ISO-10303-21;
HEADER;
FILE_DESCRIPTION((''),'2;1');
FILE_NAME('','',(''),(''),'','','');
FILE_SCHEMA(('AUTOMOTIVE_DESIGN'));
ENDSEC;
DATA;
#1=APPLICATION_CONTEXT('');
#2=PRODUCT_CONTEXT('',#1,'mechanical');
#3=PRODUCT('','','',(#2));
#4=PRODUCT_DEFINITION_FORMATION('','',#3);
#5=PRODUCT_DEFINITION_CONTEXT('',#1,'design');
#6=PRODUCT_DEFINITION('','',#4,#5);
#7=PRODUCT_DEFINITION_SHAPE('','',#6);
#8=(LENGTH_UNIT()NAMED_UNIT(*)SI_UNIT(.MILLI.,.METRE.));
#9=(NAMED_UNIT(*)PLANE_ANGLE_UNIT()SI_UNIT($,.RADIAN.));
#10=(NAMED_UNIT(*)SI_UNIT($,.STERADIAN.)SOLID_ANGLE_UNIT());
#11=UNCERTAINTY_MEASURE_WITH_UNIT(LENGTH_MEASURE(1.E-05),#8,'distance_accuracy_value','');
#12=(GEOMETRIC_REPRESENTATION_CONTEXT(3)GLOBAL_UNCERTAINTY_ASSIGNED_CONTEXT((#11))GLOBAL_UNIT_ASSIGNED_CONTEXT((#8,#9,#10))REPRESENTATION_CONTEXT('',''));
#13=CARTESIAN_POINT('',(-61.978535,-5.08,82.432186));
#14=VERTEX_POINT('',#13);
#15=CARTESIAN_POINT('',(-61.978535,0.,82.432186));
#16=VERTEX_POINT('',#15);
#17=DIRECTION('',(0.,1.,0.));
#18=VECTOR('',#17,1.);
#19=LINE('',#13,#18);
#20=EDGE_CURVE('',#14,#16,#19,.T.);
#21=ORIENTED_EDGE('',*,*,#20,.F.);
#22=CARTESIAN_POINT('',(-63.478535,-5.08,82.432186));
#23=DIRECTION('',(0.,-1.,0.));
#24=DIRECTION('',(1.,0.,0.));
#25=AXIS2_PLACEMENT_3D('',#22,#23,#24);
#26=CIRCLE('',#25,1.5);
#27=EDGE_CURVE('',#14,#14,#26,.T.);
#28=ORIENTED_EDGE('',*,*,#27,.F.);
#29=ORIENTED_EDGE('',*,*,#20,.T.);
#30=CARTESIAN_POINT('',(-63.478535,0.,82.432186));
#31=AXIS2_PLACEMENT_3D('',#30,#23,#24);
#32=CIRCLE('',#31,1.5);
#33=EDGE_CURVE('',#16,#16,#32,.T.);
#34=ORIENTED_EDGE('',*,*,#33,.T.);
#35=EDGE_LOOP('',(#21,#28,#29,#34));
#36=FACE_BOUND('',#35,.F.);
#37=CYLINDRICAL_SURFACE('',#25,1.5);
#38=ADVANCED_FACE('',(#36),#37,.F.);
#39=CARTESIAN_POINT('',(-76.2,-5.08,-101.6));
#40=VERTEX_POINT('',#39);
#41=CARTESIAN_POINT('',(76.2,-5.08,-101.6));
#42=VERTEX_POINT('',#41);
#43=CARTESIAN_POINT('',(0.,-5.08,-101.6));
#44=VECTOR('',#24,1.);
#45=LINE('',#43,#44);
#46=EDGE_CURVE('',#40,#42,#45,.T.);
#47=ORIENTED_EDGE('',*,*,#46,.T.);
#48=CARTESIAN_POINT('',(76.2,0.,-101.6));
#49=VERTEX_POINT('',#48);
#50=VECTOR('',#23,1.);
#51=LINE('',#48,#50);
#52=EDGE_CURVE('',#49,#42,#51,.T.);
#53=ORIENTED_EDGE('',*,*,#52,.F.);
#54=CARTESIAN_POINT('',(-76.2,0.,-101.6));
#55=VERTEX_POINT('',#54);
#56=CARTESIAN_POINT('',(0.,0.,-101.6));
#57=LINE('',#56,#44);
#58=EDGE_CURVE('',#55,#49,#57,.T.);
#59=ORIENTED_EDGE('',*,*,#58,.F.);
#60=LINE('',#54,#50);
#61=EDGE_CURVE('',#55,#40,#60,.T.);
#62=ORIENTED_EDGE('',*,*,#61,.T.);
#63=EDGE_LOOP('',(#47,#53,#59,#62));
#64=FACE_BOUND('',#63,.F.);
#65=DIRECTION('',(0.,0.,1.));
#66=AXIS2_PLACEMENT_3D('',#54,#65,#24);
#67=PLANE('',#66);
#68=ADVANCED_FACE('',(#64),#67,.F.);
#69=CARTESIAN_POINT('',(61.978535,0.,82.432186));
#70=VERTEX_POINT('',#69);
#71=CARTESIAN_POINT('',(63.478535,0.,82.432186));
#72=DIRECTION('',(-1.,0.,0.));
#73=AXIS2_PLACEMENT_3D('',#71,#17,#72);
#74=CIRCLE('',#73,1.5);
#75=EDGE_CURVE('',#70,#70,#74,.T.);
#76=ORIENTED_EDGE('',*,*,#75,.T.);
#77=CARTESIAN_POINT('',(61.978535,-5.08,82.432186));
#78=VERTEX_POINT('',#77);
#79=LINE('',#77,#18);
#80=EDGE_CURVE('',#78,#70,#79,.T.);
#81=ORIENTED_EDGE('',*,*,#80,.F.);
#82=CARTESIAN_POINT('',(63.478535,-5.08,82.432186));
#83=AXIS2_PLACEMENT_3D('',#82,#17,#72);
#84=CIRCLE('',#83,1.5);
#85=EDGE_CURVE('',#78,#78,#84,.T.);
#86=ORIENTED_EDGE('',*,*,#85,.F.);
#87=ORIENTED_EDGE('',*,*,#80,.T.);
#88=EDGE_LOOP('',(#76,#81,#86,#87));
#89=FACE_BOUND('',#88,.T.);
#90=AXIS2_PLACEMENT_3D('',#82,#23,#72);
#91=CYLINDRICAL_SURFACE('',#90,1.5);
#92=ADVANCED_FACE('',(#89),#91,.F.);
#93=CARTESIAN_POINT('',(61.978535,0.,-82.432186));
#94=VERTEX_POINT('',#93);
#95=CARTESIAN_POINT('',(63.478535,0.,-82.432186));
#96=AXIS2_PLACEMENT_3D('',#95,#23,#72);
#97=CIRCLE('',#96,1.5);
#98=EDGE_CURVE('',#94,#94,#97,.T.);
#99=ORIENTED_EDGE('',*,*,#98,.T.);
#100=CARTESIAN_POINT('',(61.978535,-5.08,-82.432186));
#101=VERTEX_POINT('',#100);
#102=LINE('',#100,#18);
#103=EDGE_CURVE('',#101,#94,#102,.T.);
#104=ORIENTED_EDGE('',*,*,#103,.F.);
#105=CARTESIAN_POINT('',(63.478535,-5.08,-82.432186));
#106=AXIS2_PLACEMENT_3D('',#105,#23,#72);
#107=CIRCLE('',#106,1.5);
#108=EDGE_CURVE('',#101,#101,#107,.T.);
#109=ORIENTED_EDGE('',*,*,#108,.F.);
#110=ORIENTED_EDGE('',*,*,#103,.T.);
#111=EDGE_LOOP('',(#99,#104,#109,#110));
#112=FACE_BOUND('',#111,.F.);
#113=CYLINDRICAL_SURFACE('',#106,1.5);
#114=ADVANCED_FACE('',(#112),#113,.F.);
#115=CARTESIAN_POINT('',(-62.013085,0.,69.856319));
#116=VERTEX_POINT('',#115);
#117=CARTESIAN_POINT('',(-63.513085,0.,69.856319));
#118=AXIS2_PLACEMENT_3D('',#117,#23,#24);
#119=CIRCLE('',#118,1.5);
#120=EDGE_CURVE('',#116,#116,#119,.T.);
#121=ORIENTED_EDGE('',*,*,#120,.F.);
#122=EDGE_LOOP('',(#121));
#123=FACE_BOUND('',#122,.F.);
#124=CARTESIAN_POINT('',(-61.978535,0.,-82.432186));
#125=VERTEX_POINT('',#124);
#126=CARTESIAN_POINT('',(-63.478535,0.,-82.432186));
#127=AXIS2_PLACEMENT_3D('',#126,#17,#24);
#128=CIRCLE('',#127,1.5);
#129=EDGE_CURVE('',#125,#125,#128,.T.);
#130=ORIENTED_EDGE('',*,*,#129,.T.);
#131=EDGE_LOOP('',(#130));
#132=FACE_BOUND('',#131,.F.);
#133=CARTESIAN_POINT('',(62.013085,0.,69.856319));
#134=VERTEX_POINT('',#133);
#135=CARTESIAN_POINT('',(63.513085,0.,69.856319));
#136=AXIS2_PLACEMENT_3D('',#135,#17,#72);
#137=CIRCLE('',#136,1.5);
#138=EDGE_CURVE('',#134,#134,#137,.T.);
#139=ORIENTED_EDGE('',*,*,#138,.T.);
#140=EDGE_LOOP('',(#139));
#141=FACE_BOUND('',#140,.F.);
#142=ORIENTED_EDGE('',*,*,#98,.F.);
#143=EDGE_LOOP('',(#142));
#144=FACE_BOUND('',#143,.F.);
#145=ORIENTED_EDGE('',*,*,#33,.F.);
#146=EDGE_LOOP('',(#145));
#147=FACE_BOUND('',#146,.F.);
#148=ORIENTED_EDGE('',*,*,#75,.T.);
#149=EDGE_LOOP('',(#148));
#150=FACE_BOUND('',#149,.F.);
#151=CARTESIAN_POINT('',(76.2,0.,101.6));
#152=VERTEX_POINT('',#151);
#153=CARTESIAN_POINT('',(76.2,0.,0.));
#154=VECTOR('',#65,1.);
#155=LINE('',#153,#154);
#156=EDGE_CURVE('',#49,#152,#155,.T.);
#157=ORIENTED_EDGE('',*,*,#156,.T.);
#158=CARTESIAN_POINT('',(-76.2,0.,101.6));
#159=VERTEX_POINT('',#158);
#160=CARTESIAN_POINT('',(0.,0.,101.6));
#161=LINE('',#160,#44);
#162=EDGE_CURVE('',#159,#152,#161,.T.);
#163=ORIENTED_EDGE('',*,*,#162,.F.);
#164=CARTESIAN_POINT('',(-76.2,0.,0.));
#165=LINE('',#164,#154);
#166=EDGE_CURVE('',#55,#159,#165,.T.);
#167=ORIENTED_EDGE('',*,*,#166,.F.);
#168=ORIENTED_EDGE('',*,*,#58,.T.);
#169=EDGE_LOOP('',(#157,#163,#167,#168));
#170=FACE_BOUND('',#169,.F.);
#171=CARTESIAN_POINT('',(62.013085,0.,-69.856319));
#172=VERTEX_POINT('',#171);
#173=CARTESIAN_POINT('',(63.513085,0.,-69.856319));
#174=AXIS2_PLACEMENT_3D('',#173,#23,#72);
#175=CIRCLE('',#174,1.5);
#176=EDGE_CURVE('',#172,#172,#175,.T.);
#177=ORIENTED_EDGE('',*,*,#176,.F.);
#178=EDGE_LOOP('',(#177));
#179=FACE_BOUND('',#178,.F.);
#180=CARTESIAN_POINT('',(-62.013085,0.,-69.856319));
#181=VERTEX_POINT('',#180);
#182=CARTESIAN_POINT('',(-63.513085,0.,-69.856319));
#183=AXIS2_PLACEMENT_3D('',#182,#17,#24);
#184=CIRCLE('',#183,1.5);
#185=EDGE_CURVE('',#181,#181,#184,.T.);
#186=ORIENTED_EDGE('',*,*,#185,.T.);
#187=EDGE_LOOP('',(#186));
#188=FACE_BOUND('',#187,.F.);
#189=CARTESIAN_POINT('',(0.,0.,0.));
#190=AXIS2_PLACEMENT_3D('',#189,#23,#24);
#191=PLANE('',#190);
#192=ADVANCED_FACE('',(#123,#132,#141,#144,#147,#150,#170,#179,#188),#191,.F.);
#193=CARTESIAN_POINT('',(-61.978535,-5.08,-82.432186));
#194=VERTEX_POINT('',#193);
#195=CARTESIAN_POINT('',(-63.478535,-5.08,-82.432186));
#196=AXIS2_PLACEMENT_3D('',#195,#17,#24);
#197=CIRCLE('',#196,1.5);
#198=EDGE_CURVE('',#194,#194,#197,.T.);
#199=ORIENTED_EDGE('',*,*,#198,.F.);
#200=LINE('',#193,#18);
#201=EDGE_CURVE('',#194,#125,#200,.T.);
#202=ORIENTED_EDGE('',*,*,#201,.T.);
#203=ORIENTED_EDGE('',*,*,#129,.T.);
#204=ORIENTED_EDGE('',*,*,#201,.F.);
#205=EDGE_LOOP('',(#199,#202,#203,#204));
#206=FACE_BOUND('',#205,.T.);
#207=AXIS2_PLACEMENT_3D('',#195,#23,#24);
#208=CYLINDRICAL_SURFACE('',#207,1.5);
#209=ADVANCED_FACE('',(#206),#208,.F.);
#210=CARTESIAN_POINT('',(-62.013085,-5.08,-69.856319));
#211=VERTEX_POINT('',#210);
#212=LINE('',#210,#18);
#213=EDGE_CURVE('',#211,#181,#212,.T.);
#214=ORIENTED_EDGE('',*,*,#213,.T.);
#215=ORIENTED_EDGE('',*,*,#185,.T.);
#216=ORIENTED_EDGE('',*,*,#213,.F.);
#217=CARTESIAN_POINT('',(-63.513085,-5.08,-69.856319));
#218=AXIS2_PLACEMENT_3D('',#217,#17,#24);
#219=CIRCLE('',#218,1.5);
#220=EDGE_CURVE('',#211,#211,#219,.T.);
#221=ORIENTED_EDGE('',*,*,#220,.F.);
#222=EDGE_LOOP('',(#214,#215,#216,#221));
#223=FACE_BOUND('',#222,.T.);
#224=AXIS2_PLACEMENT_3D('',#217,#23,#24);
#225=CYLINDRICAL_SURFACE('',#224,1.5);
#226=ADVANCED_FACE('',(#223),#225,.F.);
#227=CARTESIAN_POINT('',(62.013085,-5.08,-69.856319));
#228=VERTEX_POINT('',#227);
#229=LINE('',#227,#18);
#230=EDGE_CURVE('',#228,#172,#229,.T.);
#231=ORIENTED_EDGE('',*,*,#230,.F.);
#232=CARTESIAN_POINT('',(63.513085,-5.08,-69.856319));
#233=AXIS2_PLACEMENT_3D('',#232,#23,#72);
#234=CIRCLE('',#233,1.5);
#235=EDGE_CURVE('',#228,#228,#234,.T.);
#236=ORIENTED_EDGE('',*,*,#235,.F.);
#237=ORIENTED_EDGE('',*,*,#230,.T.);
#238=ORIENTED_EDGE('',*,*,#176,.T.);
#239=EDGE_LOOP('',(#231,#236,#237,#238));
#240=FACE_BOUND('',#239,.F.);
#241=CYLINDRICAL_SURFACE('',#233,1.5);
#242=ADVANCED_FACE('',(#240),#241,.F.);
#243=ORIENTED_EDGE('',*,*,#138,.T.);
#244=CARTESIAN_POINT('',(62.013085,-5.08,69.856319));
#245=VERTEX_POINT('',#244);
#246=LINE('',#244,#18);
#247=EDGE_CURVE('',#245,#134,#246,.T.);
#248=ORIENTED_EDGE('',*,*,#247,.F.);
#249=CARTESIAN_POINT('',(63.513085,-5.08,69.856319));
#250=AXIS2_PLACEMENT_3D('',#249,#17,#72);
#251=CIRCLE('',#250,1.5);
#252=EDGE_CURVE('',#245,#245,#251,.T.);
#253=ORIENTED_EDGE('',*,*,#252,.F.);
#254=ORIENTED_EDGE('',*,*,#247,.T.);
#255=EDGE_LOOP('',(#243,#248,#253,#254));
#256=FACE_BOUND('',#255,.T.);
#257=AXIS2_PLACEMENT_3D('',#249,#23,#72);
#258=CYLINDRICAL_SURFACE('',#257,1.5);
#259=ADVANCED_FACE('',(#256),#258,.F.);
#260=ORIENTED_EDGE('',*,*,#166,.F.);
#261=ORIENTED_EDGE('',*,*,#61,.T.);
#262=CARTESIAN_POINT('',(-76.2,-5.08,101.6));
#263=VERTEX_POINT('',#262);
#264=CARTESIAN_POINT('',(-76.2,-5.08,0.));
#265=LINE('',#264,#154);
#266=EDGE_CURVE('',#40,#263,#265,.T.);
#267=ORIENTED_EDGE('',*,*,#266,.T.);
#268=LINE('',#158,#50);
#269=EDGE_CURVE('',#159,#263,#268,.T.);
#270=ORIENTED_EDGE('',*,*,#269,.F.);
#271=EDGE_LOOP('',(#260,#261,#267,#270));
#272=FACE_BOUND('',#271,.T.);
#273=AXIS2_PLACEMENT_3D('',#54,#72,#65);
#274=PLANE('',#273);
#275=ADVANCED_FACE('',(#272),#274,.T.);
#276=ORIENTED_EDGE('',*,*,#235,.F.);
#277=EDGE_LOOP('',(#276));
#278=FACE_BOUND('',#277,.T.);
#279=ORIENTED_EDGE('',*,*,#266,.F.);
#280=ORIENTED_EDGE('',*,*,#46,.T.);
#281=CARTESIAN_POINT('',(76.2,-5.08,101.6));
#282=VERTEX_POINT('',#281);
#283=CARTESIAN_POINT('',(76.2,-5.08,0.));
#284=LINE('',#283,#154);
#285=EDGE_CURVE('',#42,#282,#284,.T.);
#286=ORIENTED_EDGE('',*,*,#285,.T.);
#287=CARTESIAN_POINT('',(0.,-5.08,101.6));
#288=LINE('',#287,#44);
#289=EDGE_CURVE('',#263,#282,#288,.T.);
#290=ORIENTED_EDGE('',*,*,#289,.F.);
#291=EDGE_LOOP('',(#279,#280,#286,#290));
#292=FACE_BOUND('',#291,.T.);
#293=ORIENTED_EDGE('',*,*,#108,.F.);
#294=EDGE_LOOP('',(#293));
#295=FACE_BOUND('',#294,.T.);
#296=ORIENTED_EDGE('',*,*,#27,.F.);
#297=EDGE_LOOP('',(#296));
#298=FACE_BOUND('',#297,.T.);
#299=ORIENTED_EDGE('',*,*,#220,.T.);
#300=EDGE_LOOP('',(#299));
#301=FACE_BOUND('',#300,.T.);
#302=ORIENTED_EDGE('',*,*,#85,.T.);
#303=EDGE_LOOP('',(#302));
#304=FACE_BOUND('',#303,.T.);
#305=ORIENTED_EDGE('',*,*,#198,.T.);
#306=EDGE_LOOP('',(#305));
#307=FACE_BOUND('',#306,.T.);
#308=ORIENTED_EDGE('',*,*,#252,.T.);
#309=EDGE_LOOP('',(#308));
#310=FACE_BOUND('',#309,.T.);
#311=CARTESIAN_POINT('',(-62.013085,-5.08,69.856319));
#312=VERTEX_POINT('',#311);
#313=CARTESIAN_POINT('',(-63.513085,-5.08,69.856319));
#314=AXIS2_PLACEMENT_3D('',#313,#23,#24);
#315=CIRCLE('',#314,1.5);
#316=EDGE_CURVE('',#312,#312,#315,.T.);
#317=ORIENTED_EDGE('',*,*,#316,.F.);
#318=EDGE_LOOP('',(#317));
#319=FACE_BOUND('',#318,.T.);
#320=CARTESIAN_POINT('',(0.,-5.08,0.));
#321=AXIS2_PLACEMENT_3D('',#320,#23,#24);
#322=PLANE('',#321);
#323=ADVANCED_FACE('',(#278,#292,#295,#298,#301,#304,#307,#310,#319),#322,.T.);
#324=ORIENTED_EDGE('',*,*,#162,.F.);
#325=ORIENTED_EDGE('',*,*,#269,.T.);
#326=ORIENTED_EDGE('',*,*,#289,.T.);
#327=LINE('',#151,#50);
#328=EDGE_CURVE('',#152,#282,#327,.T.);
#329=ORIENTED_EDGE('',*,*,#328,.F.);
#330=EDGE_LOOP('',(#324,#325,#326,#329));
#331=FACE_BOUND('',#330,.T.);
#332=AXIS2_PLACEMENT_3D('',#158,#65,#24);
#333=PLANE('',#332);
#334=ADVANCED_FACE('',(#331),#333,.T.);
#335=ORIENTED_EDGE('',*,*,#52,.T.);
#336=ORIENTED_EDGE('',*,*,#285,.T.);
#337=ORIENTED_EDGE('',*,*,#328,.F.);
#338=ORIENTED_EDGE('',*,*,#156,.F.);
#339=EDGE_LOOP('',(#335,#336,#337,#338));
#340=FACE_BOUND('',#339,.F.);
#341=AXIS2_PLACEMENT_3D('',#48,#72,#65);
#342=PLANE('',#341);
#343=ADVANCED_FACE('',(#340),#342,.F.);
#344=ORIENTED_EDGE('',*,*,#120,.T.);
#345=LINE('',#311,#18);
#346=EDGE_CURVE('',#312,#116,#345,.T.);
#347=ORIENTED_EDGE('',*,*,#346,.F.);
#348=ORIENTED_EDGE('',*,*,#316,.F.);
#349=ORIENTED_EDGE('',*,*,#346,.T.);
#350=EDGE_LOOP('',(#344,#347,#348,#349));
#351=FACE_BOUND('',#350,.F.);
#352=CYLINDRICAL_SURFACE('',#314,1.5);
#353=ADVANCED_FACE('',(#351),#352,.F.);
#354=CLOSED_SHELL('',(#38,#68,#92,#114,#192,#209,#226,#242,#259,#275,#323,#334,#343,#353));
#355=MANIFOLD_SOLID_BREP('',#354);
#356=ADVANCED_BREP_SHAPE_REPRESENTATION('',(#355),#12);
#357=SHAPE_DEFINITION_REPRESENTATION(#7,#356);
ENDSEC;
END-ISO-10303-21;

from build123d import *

# Parameters (mm, degrees)
F0_W     = 152.4
F0_H     = 203.2
F1_DEPTH = 5.08
F3_R     = 1.5
F4_DEPTH = 0.3
F5_DEPTH = 25.4


with BuildPart() as f1:
    # F0 (on Front) → F1 (new body)
    with BuildSketch(Plane.XZ):
        Rectangle(F0_W, F0_H)
    extrude(amount=F1_DEPTH)

    # F3 (on face) → F4 (cut)
    with BuildSketch(Plane.XZ.offset(5.08)):
        with Locations((-63.478535, 82.432186)):
            Circle(F3_R)
        with Locations((-63.513085, 69.856319)):
            Circle(F3_R)
    extrude(amount=-F4_DEPTH, mode=Mode.SUBTRACT)

    # F3 (on face) → F5 (cut)
    with BuildSketch(Plane.XZ.offset(5.08)):
        with Locations((-63.478535, 82.432186)):
            Circle(F3_R)
        with Locations((-63.513085, 69.856319)):
            Circle(F3_R)
    extrude(amount=-F5_DEPTH, mode=Mode.SUBTRACT)

    # F6: F1 across plane


with BuildPart() as f1_1:
    add(f1.part)
    add(f1.part.mirror(Plane.YZ), mode=Mode.INTERSECT)

    # F7: F1 across plane


with BuildPart() as f1_2:
    add(f1_1.part)
    add(f1_1.part.mirror(Plane.XY), mode=Mode.INTERSECT)


solid = f1_2.part
